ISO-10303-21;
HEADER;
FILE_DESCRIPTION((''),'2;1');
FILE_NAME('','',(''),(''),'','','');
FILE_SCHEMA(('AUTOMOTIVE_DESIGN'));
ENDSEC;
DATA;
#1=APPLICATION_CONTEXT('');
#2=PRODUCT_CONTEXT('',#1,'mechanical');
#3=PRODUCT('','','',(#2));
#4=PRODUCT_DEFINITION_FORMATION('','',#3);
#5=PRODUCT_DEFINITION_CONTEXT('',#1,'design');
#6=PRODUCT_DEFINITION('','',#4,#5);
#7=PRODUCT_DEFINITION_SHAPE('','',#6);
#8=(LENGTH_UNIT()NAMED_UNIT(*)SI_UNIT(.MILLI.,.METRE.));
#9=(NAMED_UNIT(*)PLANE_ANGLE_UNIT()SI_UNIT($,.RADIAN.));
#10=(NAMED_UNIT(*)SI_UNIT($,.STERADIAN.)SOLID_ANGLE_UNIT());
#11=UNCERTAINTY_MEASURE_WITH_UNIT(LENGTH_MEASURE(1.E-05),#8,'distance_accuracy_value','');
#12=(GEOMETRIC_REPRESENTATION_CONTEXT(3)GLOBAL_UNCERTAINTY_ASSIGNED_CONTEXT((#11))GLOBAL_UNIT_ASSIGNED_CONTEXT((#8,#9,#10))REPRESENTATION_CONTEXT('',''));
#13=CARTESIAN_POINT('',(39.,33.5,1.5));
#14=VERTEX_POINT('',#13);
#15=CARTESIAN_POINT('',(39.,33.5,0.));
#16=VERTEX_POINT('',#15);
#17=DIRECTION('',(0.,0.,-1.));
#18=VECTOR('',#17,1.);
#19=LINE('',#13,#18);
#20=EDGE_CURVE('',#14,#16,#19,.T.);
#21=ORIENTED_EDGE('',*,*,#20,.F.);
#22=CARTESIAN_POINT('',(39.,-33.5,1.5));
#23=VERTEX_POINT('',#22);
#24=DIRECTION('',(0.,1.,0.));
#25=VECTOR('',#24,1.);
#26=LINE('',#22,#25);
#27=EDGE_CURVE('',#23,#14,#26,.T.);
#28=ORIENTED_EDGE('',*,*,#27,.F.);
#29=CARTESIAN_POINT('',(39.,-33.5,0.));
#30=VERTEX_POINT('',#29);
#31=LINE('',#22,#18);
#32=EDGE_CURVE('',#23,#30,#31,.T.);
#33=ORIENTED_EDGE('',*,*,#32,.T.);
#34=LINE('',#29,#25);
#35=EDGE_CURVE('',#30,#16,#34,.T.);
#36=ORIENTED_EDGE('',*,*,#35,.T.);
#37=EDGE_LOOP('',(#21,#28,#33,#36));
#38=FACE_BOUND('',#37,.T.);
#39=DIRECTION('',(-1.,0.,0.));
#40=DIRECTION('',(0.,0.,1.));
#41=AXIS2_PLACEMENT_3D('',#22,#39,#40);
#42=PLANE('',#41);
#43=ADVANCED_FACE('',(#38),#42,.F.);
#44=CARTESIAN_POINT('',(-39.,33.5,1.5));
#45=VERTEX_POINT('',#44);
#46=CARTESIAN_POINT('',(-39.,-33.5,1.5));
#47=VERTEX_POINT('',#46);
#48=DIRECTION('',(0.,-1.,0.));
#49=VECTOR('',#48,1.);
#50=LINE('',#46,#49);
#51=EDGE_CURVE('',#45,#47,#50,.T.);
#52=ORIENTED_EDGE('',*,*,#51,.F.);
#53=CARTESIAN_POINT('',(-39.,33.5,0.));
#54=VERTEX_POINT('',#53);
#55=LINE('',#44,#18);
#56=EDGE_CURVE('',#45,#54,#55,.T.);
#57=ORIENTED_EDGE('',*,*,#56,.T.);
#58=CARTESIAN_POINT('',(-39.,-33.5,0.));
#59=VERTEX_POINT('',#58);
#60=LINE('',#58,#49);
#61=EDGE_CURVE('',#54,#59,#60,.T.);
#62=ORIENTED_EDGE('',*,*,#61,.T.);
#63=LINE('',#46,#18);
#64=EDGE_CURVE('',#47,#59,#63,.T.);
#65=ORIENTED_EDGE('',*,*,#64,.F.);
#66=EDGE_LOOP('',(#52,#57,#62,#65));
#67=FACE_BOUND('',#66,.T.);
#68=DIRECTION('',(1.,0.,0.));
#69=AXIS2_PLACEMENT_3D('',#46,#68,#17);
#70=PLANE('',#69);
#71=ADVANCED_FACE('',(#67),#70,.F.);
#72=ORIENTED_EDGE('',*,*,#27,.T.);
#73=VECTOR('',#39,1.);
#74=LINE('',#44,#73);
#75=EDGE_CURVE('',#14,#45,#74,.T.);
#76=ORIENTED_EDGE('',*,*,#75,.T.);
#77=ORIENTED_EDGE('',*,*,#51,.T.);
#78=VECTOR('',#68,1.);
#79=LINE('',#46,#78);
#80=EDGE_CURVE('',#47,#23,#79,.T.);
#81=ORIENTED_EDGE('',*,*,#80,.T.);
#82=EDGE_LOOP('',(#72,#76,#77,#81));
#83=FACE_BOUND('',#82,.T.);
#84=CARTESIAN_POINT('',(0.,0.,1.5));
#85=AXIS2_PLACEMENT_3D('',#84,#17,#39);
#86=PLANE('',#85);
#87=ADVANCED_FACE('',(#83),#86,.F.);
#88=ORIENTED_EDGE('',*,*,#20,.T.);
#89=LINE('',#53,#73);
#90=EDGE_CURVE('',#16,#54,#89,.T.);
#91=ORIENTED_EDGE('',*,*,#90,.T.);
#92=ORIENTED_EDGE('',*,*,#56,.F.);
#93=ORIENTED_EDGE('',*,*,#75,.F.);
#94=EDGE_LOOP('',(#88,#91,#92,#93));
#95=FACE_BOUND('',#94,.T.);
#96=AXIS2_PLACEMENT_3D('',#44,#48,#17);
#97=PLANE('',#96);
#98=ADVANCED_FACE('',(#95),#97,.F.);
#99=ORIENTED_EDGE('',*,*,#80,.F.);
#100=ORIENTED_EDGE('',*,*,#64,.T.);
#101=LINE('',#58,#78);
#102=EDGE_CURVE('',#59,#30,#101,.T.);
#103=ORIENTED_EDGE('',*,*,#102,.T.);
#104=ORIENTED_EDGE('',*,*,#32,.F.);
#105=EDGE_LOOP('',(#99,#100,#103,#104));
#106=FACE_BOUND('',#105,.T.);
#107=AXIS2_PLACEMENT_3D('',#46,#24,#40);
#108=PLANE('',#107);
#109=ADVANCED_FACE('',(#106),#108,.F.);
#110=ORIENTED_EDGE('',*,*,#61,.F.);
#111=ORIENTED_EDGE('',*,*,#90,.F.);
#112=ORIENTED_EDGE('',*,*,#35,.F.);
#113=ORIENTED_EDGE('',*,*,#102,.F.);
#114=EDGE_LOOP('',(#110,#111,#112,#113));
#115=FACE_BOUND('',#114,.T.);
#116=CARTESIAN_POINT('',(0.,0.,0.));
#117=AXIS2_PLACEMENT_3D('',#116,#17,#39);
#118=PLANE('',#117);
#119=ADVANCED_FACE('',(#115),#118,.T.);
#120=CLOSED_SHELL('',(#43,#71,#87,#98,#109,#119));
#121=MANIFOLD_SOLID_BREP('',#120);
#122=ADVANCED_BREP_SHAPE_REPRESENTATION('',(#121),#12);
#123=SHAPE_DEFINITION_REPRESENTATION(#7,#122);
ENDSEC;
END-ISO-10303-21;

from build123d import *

# Parameters (mm, degrees)
ESBO_O1_W                = 78
ESBO_O1_H                = 67
RESSALTO_EXTRUS_O1_DEPTH = 1.5


with BuildPart() as part:
    # Esboço1 → Ressalto-extrusão1 (new body)
    with BuildSketch(Plane.XY):
        Rectangle(ESBO_O1_W, ESBO_O1_H)
    extrude(amount=RESSALTO_EXTRUS_O1_DEPTH)


solid = part.part
